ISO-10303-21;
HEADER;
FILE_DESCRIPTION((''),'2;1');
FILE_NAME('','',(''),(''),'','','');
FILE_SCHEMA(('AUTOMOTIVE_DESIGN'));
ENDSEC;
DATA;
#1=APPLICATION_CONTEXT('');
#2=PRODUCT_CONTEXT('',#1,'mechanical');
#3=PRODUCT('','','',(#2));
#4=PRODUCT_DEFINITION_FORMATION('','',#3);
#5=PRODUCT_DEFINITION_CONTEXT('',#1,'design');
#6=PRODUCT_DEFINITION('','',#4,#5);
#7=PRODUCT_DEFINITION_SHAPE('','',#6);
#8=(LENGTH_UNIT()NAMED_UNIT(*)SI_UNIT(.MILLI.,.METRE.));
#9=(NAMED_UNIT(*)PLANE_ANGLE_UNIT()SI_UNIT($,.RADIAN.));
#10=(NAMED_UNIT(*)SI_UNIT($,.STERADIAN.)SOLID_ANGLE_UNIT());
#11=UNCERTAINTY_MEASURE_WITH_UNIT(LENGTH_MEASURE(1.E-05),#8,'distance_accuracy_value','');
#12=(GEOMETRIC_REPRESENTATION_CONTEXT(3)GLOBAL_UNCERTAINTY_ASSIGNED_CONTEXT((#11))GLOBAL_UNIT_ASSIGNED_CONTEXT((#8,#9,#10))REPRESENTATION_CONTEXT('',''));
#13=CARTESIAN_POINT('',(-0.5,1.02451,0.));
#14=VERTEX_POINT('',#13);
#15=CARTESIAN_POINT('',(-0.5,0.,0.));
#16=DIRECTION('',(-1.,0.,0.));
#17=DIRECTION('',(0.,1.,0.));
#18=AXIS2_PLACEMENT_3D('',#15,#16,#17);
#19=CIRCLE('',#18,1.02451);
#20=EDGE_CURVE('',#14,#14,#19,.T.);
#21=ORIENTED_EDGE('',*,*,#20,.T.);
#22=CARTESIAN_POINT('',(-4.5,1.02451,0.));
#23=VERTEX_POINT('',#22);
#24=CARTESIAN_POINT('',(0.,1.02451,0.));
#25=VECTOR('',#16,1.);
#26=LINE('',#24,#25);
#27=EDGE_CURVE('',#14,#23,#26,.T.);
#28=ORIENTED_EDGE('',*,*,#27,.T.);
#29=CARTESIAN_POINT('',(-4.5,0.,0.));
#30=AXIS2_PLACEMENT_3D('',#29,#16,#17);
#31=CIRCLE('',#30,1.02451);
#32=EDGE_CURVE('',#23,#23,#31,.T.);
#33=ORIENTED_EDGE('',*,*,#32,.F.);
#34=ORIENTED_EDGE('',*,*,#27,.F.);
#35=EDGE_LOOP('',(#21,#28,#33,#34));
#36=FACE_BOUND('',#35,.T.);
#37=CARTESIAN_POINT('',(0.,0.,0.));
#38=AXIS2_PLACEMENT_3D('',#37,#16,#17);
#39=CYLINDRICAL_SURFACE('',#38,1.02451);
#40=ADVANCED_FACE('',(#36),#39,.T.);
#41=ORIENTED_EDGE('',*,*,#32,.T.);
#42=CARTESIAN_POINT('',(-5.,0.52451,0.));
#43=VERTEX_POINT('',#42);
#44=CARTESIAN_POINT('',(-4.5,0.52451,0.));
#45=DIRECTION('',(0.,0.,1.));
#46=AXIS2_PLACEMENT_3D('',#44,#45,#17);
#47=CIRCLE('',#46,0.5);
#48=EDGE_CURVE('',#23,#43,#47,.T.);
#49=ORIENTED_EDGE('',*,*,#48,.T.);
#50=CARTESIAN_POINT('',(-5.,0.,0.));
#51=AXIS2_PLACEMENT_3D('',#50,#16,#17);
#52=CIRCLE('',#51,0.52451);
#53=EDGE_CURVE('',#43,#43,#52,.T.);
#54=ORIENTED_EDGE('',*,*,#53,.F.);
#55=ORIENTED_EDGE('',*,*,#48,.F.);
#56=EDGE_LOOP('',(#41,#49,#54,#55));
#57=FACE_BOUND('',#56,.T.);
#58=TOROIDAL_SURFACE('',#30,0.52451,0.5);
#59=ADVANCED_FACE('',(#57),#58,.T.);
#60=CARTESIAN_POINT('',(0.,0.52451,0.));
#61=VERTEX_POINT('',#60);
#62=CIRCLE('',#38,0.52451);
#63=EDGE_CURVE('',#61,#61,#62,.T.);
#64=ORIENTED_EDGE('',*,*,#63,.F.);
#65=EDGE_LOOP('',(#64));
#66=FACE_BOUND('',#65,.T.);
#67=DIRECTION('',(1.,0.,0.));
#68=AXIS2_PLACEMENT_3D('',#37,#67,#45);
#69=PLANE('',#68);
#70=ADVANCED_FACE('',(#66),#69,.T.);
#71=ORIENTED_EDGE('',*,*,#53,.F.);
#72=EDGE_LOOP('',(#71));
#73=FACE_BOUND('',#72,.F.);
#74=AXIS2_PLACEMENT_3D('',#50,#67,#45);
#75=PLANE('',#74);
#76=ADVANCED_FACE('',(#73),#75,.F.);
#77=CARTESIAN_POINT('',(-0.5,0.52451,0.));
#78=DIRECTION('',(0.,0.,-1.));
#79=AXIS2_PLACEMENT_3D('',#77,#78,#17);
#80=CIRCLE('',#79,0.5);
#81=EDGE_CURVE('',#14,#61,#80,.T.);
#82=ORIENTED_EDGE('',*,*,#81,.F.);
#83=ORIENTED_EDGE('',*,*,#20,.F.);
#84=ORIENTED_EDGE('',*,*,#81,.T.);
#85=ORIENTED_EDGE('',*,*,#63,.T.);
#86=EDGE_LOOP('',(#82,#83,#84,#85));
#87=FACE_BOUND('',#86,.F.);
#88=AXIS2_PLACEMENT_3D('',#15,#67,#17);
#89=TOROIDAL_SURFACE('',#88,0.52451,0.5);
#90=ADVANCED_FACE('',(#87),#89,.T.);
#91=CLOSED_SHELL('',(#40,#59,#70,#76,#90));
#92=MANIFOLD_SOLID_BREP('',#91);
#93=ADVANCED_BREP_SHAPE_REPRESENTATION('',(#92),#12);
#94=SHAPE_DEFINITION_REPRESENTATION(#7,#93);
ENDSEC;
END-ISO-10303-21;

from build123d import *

# Parameters (mm, degrees)
F0_R = 1.0245101739
F3_R = 0.5


with BuildPart() as f2:
    # F2: sweep along a path in F1
    with BuildLine(Plane.XZ) as f2_path:
        Line((0, 0), (-5, 0))
    # F0 (on Right) → F2 (sweep)
    with BuildSketch(Plane.YZ):
        Circle(F0_R)
    sweep(path=f2_path.line)

    # F3
    f3_edges = [f2.edges().sort_by_distance(p)[0] for p in [
        (-5, -1.02451, 0),
        (0, -1.02451, 0),
    ]]
    fillet(f3_edges, radius=F3_R)


solid = f2.part
